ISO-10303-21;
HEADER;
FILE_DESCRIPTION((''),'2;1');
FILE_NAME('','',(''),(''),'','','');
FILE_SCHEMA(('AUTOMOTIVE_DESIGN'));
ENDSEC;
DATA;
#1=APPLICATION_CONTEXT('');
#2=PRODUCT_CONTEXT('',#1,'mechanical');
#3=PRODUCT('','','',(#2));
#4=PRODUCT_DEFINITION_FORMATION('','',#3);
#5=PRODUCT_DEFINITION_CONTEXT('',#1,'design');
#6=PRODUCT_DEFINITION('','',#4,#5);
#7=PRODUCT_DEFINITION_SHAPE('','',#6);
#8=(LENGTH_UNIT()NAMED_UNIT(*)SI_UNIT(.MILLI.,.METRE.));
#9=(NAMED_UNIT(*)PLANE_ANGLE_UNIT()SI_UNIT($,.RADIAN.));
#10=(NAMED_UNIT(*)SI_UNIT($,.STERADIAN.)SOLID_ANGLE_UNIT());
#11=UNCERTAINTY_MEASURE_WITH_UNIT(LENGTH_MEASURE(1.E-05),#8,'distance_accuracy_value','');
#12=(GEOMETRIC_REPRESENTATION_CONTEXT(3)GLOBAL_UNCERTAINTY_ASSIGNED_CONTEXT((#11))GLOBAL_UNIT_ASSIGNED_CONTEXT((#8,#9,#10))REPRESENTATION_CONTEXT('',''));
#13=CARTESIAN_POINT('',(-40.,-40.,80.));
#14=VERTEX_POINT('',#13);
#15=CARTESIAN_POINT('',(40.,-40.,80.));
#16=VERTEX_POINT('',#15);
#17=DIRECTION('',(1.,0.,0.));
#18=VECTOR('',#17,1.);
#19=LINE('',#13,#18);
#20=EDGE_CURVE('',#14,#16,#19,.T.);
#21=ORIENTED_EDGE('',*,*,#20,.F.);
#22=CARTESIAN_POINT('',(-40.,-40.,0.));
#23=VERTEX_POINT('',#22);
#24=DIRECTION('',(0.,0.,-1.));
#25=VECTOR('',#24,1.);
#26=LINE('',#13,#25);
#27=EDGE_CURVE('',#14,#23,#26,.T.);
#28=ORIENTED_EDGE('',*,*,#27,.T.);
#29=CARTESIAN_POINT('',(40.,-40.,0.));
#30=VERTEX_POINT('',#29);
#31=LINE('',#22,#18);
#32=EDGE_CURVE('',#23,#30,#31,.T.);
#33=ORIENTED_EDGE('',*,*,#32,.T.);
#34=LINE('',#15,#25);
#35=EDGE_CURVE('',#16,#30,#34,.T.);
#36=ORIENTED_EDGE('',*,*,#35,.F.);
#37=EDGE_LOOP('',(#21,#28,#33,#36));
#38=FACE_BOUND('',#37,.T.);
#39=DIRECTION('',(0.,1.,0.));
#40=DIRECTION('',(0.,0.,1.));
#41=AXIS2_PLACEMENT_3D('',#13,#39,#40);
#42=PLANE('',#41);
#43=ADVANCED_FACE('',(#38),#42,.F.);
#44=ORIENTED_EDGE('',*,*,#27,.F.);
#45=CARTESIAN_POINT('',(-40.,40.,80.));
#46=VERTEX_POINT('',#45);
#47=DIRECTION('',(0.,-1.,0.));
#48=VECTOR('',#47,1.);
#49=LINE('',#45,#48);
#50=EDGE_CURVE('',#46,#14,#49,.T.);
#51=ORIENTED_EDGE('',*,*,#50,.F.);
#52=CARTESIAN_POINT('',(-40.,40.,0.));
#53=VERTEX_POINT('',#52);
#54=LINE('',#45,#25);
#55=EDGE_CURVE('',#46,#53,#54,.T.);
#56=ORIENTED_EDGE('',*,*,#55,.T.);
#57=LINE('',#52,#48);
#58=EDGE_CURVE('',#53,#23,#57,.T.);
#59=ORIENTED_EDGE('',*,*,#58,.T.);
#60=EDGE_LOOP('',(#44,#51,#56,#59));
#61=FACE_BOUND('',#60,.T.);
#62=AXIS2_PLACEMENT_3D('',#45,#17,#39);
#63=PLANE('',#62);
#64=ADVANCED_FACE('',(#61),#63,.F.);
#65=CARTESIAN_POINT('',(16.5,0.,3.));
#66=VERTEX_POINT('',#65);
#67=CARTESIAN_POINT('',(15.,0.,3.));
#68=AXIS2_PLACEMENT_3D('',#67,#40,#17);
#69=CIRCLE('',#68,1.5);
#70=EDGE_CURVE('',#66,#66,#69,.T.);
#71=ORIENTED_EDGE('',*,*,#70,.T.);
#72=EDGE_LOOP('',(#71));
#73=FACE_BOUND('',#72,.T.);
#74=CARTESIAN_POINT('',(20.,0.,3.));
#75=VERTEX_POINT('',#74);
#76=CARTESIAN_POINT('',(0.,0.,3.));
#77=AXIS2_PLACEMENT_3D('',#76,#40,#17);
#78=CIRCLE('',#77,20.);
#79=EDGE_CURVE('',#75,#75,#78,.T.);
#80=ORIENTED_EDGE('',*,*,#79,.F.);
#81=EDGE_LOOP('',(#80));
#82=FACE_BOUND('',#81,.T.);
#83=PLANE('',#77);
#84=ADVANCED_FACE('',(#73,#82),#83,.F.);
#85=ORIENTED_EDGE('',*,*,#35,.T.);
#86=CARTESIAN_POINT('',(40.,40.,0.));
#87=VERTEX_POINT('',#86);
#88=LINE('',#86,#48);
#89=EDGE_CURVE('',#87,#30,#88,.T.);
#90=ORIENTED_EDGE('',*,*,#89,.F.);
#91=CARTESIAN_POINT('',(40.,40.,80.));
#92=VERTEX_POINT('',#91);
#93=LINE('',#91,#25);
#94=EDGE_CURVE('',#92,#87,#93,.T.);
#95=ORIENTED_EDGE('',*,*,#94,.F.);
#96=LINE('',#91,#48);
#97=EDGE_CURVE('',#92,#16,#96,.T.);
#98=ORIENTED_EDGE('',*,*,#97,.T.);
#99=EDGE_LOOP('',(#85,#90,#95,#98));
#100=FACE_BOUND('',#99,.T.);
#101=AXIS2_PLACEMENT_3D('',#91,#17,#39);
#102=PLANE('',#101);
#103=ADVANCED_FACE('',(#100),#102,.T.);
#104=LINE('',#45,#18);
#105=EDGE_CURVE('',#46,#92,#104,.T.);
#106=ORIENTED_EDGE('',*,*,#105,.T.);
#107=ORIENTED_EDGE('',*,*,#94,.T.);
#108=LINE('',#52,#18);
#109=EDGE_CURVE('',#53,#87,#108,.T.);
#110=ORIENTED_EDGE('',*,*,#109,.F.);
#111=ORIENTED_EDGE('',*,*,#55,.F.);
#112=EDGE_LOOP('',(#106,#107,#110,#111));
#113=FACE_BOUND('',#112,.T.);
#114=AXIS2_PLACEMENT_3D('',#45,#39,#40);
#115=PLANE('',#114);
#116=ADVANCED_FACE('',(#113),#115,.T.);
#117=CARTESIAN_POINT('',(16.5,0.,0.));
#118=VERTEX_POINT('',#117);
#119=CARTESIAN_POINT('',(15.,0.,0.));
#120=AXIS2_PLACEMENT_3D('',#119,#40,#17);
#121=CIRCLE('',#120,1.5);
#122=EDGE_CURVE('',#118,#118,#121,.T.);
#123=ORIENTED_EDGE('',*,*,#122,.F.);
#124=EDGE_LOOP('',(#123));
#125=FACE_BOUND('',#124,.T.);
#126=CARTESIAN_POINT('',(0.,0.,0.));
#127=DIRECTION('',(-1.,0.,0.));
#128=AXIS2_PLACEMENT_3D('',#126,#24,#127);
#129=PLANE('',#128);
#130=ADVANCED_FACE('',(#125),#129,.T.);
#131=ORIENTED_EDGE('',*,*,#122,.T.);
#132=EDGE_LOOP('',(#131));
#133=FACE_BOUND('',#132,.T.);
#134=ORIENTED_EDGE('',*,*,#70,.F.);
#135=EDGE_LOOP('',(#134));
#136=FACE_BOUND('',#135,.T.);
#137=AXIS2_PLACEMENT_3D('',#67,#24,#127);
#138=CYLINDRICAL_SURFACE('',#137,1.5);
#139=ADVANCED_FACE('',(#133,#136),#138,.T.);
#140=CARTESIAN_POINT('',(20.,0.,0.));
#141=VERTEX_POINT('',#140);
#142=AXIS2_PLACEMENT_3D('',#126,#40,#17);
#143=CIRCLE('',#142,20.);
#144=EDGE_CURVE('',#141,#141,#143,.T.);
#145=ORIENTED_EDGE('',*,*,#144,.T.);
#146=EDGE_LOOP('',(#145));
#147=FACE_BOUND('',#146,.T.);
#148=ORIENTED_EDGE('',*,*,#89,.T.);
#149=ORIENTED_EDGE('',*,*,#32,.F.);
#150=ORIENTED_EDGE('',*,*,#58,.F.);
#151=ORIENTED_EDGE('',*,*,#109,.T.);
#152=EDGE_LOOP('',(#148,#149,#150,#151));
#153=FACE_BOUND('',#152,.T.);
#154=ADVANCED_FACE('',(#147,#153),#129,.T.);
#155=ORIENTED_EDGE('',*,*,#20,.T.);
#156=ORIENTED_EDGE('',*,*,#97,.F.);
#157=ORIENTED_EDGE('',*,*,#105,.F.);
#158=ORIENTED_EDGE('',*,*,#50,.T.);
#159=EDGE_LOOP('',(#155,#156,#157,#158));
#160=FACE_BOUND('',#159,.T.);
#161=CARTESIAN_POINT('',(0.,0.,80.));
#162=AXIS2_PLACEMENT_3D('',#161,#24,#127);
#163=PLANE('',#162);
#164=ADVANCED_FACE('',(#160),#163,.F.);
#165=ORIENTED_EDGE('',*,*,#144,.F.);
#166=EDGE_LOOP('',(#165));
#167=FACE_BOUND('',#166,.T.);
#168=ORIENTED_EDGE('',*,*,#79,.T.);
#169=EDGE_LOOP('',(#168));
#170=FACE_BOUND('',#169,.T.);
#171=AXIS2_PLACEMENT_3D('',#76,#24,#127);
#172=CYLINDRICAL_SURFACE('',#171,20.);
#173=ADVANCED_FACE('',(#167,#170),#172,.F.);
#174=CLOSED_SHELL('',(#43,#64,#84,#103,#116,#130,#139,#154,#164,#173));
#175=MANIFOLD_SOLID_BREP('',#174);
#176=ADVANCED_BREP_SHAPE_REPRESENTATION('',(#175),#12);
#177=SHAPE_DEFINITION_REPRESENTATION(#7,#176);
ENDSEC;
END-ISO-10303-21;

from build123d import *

# Parameters (mm, degrees)
ESQUISSE1_W             = 80
ESQUISSE1_H             = 80
BOSS_EXTRU_1_DEPTH      = 80
ESQUISSE1_4_R           = 20
ESQUISSE1_4_R_2         = 1.5
ENL_V_MAT_EXTRU_1_DEPTH = 3


with BuildPart() as part:
    # Esquisse1 → Boss.-Extru.1 (new body)
    with BuildSketch(Plane.XY):
        Rectangle(ESQUISSE1_W, ESQUISSE1_H)
    extrude(amount=BOSS_EXTRU_1_DEPTH)

    # Esquisse1<4> → Enlèv. mat.-Extru.1 (cut)
    with BuildSketch(Plane.XY):
        Circle(ESQUISSE1_4_R)
        with Locations((15, 0)):
            Circle(ESQUISSE1_4_R_2, mode=Mode.SUBTRACT)
    extrude(amount=ENL_V_MAT_EXTRU_1_DEPTH, mode=Mode.SUBTRACT)


solid = part.part
